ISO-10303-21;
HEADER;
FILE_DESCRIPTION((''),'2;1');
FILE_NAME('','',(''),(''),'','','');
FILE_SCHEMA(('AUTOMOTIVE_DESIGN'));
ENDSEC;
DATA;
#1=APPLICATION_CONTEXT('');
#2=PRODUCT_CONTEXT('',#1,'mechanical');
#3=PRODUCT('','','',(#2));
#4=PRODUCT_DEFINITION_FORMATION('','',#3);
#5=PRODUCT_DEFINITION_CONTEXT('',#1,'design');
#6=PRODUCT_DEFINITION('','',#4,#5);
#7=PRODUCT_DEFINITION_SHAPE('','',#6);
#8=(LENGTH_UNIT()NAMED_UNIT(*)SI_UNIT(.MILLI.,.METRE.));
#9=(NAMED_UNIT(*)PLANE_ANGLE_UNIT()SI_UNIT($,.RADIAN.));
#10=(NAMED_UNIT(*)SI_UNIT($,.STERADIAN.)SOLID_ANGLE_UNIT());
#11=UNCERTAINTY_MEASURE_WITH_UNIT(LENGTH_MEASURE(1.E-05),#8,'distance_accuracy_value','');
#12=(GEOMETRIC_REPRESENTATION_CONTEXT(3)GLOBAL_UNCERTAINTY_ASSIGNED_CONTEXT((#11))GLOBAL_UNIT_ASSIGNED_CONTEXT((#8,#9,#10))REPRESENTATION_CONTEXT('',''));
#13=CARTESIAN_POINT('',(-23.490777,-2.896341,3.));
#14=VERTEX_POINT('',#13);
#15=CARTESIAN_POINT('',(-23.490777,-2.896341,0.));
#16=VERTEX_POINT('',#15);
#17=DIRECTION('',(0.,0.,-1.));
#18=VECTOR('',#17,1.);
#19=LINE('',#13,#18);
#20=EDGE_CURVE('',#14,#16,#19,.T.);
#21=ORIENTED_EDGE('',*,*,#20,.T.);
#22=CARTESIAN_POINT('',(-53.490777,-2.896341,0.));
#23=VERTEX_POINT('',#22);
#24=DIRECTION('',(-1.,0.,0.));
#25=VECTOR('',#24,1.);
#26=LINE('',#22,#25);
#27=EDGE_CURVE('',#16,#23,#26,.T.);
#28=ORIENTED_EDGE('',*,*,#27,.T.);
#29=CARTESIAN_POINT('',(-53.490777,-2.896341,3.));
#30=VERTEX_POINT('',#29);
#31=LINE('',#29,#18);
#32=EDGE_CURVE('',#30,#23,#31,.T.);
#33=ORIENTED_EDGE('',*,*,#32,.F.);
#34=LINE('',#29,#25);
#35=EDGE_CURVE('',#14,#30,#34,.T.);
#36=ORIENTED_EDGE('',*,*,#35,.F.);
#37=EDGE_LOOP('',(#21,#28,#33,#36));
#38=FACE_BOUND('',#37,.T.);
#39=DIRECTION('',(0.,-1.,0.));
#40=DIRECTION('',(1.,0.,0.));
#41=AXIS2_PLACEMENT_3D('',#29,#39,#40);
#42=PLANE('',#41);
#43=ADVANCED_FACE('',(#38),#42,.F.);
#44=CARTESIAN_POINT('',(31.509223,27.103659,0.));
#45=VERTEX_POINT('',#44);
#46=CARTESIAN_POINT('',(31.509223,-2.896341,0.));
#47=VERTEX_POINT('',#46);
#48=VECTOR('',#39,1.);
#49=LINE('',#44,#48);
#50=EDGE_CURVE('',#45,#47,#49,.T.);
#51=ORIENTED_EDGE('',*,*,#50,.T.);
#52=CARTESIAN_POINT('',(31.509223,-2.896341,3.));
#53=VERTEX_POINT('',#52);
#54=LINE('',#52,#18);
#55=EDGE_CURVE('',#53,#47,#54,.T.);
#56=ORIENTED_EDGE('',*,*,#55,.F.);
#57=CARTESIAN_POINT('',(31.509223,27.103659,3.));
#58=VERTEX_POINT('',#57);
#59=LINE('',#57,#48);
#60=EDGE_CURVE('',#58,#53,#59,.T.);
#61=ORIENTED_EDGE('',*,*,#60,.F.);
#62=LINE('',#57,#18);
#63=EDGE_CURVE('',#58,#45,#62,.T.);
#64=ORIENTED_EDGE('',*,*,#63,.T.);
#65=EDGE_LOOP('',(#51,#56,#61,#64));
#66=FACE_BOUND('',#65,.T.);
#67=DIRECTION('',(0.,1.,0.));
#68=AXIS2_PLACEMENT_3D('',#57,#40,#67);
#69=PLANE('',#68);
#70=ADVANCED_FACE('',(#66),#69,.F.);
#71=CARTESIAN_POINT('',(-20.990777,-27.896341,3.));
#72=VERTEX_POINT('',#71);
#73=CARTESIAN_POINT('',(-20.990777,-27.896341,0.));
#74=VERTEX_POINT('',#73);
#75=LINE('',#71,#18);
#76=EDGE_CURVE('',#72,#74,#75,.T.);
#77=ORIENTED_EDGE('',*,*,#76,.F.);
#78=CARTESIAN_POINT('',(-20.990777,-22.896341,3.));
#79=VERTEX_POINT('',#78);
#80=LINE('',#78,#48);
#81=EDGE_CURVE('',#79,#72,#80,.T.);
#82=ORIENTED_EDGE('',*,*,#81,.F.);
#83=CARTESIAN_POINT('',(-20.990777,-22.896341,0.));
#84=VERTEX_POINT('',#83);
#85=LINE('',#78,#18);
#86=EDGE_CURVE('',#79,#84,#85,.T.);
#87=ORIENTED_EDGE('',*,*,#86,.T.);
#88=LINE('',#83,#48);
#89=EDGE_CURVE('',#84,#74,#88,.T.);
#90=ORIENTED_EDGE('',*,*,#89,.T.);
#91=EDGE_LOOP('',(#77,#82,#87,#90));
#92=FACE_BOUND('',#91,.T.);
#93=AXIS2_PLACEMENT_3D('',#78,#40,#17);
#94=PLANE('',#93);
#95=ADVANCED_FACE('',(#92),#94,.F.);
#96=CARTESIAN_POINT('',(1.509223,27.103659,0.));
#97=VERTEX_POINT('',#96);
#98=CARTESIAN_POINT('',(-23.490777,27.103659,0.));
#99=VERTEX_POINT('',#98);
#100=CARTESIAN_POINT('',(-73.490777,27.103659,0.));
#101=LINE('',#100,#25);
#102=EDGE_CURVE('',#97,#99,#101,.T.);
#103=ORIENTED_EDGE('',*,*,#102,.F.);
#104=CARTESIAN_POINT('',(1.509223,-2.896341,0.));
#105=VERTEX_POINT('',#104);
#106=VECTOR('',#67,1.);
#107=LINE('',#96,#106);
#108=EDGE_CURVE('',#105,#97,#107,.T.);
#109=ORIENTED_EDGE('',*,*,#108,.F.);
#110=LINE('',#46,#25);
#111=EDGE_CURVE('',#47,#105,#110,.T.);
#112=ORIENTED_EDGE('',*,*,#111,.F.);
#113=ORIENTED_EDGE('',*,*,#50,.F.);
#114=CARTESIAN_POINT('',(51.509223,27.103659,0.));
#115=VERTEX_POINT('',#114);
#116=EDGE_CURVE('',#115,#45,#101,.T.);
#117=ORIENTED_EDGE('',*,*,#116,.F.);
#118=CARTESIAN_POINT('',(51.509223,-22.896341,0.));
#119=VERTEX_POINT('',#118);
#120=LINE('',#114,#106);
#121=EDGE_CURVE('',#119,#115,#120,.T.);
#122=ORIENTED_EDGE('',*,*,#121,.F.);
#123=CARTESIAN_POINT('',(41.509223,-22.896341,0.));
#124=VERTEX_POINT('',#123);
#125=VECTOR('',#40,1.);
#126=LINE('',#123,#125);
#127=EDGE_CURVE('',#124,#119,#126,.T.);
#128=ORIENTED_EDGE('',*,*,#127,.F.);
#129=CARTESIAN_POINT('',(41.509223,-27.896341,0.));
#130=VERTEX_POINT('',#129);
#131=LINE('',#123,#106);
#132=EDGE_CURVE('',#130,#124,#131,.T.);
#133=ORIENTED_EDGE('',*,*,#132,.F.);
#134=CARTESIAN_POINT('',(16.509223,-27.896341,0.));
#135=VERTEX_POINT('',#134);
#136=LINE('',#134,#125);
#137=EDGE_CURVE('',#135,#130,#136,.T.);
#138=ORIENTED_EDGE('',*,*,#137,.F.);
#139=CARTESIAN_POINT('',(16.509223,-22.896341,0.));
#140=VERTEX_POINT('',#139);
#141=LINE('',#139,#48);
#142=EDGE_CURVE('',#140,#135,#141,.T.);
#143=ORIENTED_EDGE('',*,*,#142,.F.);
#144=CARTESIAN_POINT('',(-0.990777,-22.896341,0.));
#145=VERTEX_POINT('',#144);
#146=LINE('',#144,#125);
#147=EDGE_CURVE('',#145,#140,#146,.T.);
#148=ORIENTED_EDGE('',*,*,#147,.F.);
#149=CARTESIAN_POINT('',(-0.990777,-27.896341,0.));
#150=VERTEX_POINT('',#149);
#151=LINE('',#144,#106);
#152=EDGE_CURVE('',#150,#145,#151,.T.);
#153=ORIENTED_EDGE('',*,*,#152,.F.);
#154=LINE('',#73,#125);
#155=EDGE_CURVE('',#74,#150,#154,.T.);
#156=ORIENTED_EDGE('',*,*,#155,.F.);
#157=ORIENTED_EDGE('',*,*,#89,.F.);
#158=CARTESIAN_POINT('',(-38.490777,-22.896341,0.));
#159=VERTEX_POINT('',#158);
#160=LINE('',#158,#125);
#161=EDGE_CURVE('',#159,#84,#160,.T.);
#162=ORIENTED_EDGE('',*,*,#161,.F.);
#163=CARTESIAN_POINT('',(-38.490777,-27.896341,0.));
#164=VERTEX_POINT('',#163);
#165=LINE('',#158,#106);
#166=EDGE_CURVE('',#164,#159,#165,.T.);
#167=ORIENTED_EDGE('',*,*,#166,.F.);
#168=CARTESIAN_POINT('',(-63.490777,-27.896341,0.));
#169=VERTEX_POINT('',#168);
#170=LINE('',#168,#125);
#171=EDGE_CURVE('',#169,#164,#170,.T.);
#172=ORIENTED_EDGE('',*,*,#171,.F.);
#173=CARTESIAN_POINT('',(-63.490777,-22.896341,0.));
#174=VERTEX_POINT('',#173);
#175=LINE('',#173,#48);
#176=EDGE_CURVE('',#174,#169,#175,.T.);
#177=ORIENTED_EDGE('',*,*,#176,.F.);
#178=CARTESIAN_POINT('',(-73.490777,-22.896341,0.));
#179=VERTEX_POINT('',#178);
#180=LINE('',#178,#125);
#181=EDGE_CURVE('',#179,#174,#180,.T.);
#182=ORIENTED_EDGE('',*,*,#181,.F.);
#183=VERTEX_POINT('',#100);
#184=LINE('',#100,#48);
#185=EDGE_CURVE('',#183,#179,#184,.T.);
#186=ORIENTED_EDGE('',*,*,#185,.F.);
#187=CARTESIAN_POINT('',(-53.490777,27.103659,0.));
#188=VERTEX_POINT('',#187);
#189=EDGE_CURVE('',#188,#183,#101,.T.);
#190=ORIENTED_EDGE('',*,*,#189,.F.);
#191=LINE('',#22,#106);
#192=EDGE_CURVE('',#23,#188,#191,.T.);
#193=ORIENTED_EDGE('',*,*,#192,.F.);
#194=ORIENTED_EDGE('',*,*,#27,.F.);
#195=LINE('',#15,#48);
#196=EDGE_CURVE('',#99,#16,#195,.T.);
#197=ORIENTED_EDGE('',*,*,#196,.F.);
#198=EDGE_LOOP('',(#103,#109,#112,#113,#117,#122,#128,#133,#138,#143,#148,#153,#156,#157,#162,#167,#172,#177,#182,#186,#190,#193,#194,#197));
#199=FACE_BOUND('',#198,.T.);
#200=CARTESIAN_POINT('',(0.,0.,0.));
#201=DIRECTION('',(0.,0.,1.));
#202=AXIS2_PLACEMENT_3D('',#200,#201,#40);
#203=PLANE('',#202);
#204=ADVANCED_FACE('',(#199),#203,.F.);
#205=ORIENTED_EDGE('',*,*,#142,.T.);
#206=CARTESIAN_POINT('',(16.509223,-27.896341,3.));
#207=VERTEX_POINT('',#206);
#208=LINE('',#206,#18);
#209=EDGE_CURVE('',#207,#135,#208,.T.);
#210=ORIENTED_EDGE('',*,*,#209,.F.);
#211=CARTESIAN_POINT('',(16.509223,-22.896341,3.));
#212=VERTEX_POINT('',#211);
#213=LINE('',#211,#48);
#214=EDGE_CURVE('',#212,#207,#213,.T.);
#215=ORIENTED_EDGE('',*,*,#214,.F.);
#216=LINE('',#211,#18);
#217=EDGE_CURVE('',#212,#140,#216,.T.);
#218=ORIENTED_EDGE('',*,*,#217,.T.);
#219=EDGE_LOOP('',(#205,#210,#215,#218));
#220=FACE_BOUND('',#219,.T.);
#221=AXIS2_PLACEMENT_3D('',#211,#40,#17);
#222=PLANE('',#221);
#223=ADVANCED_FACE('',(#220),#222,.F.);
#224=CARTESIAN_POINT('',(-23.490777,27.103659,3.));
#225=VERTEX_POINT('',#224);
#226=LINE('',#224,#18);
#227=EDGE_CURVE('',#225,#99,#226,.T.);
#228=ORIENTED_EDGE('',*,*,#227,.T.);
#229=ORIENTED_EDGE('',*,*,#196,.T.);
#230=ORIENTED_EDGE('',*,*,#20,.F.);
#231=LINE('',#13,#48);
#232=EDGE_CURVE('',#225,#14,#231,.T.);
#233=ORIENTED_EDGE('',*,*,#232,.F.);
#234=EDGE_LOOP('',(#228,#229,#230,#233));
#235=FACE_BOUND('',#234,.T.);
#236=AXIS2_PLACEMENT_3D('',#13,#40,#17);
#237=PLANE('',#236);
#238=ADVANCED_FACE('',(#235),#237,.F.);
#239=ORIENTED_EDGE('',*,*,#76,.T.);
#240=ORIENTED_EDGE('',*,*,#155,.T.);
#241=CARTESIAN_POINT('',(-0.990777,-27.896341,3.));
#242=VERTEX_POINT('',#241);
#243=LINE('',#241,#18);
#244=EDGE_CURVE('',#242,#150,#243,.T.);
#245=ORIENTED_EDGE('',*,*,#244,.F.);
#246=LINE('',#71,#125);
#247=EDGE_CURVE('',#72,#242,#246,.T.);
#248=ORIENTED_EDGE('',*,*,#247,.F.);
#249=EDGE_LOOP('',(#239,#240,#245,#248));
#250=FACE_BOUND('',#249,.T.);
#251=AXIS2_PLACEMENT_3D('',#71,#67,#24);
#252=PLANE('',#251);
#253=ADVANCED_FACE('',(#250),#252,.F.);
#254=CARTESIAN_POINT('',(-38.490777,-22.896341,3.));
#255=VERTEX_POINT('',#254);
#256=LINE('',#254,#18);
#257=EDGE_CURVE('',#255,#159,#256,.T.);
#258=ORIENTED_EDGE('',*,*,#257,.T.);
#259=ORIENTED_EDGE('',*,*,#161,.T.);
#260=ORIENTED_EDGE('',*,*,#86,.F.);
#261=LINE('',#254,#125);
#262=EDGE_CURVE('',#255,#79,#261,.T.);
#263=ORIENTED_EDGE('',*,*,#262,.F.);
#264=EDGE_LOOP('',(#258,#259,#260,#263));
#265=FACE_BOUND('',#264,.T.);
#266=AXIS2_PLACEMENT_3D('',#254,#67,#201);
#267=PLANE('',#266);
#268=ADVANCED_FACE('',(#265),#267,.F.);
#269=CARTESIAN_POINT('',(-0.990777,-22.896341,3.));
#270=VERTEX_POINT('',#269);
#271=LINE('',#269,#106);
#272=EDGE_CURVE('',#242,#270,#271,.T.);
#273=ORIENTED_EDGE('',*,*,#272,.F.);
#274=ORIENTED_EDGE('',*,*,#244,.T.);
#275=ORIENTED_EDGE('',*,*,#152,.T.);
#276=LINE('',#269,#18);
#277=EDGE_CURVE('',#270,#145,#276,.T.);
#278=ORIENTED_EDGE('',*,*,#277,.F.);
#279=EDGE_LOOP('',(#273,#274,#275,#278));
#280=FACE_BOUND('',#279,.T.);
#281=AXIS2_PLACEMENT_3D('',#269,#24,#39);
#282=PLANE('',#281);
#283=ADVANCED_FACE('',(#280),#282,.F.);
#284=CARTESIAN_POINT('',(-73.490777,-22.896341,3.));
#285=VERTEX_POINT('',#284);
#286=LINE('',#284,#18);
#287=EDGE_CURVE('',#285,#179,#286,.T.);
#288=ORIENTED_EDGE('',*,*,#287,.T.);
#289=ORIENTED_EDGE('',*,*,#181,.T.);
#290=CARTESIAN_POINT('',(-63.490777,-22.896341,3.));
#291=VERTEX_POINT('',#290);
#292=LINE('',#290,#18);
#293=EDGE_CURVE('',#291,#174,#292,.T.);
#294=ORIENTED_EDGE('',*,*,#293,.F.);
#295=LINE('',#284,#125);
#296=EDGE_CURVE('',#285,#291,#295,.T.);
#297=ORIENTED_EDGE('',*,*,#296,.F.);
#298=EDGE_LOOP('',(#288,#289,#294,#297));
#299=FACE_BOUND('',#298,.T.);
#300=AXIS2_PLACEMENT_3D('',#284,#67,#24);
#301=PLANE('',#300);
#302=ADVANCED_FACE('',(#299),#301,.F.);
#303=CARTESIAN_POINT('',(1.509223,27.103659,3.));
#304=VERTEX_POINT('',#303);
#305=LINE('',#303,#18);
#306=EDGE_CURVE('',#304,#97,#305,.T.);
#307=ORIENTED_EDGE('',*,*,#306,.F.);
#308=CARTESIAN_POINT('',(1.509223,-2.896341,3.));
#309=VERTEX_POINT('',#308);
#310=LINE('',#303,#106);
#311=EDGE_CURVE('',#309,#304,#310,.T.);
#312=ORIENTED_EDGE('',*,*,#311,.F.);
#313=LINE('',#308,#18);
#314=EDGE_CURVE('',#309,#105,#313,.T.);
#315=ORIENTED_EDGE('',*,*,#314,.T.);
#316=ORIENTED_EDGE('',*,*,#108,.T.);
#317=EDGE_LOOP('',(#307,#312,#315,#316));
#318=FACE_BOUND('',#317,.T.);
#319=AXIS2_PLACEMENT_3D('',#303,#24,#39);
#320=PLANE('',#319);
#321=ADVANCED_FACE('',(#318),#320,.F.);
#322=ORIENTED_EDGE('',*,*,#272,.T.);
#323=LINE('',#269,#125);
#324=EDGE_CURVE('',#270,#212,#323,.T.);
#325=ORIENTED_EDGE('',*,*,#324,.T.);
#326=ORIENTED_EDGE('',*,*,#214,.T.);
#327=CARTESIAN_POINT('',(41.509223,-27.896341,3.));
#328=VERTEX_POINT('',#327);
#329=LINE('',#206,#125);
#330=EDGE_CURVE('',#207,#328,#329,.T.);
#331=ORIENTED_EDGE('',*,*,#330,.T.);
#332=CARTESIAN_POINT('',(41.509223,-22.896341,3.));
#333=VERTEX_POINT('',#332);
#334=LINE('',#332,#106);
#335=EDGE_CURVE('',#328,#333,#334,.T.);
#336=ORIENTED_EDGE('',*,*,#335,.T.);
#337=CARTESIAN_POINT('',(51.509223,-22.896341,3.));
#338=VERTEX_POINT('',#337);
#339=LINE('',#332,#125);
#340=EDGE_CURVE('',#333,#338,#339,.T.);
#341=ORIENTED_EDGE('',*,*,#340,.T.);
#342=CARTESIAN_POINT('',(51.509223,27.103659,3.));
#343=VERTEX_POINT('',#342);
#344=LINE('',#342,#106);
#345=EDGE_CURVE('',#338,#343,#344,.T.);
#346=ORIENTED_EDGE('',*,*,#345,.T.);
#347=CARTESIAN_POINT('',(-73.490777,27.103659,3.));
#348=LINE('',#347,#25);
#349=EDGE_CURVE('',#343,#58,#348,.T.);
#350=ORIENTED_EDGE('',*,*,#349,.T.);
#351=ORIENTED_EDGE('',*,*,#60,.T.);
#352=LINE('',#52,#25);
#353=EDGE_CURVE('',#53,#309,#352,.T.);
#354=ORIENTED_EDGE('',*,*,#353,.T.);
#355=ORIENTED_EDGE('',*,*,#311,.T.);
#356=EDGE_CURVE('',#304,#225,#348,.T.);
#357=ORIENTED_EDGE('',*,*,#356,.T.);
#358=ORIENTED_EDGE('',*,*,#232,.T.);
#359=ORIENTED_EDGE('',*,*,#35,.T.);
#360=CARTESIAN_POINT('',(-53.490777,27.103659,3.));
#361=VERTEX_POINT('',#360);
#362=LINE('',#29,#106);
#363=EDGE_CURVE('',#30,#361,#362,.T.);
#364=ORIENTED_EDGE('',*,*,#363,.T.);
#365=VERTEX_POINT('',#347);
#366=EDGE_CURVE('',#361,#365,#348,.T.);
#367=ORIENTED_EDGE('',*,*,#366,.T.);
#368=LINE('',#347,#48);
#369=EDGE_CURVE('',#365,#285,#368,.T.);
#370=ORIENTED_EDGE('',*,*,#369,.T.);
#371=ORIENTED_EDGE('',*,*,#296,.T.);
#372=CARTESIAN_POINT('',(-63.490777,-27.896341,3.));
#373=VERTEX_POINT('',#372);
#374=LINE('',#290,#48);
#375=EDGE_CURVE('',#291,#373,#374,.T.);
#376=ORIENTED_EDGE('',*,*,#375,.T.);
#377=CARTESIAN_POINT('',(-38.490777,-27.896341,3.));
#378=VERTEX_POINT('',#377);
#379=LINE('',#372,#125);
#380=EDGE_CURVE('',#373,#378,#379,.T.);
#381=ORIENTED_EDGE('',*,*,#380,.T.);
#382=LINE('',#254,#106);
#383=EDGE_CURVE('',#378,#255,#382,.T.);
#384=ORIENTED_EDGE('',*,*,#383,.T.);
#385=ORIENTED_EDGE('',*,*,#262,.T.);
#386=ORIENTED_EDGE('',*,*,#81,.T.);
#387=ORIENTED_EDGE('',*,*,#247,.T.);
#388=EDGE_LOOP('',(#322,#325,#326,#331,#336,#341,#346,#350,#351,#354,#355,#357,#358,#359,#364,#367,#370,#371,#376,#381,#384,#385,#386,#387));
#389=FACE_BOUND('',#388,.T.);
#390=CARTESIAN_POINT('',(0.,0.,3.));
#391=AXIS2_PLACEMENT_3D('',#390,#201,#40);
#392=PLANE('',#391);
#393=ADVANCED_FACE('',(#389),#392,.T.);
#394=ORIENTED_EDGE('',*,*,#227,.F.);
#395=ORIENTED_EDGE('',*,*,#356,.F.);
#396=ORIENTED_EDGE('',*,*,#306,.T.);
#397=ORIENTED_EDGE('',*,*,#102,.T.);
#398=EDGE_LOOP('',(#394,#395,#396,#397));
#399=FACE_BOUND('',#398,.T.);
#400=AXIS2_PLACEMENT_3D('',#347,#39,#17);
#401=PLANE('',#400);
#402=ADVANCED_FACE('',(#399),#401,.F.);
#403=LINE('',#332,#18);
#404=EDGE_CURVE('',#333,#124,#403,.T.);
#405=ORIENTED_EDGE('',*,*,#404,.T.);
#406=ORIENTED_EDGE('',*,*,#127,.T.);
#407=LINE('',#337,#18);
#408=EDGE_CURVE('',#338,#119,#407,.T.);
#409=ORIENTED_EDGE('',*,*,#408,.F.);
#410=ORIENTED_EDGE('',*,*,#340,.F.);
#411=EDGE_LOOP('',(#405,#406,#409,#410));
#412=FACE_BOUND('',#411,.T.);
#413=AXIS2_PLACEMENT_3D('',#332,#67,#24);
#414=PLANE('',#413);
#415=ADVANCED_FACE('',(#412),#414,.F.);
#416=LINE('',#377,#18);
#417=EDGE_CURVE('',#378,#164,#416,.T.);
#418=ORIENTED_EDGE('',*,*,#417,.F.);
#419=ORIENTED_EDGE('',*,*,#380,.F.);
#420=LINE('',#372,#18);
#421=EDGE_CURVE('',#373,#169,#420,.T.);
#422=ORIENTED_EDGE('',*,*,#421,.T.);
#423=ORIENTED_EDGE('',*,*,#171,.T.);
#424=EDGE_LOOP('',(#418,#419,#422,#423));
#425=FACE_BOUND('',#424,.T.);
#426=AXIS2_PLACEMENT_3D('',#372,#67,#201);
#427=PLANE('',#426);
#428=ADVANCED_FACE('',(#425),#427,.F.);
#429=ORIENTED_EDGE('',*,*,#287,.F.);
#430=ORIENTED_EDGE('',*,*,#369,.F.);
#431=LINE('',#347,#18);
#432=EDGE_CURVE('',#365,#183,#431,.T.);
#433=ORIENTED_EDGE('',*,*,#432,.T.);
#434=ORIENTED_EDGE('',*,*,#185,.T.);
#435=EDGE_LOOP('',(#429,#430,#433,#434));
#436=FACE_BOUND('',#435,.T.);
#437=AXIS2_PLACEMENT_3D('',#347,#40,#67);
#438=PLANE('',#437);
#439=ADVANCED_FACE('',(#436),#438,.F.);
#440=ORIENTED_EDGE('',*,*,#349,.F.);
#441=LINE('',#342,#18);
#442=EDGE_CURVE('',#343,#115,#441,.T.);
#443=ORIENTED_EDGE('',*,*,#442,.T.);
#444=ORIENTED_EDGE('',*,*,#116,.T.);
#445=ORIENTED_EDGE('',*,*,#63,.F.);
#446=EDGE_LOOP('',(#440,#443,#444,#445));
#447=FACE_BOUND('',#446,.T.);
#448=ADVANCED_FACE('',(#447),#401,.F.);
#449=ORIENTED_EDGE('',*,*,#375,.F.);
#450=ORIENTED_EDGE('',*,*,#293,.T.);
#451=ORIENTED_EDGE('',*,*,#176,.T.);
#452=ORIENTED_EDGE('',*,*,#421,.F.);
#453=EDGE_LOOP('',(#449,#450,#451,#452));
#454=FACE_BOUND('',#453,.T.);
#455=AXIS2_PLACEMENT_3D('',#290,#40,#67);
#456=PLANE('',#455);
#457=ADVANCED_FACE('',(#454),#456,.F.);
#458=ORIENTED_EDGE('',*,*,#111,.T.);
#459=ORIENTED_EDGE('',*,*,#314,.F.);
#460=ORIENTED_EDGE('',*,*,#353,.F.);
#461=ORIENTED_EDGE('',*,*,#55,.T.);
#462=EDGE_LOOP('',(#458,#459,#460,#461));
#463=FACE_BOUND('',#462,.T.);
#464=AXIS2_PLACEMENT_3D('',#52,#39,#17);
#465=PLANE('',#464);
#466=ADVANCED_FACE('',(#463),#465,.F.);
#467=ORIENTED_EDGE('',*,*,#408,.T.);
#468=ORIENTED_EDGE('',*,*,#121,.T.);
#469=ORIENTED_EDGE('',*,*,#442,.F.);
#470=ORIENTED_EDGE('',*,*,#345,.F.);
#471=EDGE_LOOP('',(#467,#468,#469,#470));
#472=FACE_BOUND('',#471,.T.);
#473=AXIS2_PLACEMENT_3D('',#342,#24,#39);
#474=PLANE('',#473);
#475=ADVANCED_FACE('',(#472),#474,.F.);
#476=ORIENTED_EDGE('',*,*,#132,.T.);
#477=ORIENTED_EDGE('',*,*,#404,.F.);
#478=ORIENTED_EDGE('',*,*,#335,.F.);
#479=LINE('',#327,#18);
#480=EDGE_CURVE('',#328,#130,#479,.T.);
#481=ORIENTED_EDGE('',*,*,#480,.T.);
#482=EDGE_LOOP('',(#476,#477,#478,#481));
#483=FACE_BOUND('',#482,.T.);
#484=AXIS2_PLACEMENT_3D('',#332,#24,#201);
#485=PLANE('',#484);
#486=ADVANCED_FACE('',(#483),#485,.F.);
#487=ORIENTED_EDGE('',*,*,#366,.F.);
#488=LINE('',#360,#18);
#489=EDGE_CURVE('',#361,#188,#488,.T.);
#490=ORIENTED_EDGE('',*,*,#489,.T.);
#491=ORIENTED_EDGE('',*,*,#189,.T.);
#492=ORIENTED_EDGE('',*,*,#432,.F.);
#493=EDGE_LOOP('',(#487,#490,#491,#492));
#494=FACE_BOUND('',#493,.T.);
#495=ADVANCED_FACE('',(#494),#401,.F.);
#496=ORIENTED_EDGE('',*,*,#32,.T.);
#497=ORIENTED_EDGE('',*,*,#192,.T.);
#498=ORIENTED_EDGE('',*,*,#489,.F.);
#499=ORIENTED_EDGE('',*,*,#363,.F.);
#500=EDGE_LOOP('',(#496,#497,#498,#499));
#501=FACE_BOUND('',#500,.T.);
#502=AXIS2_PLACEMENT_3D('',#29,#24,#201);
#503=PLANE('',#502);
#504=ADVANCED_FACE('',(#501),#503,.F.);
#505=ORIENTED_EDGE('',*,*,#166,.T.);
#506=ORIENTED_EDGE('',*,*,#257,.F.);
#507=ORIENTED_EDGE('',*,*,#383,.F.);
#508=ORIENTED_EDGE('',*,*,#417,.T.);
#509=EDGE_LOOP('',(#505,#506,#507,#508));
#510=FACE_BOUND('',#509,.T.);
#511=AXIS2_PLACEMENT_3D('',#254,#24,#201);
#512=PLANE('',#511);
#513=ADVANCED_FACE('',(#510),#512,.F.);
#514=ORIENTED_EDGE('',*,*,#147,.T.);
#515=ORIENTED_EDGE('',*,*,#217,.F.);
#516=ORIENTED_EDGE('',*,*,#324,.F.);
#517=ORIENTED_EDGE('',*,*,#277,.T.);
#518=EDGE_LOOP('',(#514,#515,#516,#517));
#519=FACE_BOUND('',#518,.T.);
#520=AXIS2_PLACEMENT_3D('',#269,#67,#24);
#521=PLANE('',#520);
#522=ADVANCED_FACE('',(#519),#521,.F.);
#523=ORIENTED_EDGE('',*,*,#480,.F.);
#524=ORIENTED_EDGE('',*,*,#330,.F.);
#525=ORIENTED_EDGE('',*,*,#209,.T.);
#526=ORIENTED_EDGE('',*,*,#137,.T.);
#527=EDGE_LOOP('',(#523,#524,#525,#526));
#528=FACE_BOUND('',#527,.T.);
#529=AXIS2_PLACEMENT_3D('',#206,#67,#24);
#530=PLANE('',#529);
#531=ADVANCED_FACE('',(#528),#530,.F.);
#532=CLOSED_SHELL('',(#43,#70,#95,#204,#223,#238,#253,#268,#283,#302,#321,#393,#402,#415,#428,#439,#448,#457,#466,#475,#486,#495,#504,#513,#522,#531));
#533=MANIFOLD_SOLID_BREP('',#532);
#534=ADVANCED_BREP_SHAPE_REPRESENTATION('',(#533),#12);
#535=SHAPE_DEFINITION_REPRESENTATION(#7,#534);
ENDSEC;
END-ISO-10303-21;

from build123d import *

# Parameters (mm, degrees)
RESSALTO_EXTRUS_O1_DEPTH = 3
ESBO_O2_W                = 30
ESBO_O2_H                = 30
CORTE_EXTRUS_O1_DEPTH    = 4


with BuildPart() as part:
    # Esboço1 → Ressalto-extrusão1 (new body)
    with BuildSketch(Plane.XY):
        Polygon((-38.490777312, -22.896341463), (-20.990777312, -22.896341463), (-20.990777312, -27.896341463), (-0.990777312, -27.896341463), (-0.990777312, -22.896341463), (16.509222688, -22.896341463), (16.509222688, -27.896341463), (41.509222688, -27.896341463), (41.509222688, -22.896341463), (51.509222688, -22.896341463), (51.509222688, 27.103658537), (-73.490777312, 27.103658537), (-73.490777312, -22.896341463), (-63.490777312, -22.896341463), (-63.490777312, -27.896341463), (-38.490777312, -27.896341463), align=None)
    extrude(amount=RESSALTO_EXTRUS_O1_DEPTH)

    # Esboço2 → Corte-extrusão1 (cut, through all)
    with BuildSketch(Plane(origin=(0, 0, 0), x_dir=(-1, 0, 0), z_dir=(0, 0, -1))):
        with Locations((-16.509222688, 12.103658537)):
            Rectangle(ESBO_O2_W, ESBO_O2_H)
        with Locations((38.490777312, 12.103658537)):
            Rectangle(ESBO_O2_W, ESBO_O2_H)
    extrude(amount=-CORTE_EXTRUS_O1_DEPTH, mode=Mode.SUBTRACT)


solid = part.part
